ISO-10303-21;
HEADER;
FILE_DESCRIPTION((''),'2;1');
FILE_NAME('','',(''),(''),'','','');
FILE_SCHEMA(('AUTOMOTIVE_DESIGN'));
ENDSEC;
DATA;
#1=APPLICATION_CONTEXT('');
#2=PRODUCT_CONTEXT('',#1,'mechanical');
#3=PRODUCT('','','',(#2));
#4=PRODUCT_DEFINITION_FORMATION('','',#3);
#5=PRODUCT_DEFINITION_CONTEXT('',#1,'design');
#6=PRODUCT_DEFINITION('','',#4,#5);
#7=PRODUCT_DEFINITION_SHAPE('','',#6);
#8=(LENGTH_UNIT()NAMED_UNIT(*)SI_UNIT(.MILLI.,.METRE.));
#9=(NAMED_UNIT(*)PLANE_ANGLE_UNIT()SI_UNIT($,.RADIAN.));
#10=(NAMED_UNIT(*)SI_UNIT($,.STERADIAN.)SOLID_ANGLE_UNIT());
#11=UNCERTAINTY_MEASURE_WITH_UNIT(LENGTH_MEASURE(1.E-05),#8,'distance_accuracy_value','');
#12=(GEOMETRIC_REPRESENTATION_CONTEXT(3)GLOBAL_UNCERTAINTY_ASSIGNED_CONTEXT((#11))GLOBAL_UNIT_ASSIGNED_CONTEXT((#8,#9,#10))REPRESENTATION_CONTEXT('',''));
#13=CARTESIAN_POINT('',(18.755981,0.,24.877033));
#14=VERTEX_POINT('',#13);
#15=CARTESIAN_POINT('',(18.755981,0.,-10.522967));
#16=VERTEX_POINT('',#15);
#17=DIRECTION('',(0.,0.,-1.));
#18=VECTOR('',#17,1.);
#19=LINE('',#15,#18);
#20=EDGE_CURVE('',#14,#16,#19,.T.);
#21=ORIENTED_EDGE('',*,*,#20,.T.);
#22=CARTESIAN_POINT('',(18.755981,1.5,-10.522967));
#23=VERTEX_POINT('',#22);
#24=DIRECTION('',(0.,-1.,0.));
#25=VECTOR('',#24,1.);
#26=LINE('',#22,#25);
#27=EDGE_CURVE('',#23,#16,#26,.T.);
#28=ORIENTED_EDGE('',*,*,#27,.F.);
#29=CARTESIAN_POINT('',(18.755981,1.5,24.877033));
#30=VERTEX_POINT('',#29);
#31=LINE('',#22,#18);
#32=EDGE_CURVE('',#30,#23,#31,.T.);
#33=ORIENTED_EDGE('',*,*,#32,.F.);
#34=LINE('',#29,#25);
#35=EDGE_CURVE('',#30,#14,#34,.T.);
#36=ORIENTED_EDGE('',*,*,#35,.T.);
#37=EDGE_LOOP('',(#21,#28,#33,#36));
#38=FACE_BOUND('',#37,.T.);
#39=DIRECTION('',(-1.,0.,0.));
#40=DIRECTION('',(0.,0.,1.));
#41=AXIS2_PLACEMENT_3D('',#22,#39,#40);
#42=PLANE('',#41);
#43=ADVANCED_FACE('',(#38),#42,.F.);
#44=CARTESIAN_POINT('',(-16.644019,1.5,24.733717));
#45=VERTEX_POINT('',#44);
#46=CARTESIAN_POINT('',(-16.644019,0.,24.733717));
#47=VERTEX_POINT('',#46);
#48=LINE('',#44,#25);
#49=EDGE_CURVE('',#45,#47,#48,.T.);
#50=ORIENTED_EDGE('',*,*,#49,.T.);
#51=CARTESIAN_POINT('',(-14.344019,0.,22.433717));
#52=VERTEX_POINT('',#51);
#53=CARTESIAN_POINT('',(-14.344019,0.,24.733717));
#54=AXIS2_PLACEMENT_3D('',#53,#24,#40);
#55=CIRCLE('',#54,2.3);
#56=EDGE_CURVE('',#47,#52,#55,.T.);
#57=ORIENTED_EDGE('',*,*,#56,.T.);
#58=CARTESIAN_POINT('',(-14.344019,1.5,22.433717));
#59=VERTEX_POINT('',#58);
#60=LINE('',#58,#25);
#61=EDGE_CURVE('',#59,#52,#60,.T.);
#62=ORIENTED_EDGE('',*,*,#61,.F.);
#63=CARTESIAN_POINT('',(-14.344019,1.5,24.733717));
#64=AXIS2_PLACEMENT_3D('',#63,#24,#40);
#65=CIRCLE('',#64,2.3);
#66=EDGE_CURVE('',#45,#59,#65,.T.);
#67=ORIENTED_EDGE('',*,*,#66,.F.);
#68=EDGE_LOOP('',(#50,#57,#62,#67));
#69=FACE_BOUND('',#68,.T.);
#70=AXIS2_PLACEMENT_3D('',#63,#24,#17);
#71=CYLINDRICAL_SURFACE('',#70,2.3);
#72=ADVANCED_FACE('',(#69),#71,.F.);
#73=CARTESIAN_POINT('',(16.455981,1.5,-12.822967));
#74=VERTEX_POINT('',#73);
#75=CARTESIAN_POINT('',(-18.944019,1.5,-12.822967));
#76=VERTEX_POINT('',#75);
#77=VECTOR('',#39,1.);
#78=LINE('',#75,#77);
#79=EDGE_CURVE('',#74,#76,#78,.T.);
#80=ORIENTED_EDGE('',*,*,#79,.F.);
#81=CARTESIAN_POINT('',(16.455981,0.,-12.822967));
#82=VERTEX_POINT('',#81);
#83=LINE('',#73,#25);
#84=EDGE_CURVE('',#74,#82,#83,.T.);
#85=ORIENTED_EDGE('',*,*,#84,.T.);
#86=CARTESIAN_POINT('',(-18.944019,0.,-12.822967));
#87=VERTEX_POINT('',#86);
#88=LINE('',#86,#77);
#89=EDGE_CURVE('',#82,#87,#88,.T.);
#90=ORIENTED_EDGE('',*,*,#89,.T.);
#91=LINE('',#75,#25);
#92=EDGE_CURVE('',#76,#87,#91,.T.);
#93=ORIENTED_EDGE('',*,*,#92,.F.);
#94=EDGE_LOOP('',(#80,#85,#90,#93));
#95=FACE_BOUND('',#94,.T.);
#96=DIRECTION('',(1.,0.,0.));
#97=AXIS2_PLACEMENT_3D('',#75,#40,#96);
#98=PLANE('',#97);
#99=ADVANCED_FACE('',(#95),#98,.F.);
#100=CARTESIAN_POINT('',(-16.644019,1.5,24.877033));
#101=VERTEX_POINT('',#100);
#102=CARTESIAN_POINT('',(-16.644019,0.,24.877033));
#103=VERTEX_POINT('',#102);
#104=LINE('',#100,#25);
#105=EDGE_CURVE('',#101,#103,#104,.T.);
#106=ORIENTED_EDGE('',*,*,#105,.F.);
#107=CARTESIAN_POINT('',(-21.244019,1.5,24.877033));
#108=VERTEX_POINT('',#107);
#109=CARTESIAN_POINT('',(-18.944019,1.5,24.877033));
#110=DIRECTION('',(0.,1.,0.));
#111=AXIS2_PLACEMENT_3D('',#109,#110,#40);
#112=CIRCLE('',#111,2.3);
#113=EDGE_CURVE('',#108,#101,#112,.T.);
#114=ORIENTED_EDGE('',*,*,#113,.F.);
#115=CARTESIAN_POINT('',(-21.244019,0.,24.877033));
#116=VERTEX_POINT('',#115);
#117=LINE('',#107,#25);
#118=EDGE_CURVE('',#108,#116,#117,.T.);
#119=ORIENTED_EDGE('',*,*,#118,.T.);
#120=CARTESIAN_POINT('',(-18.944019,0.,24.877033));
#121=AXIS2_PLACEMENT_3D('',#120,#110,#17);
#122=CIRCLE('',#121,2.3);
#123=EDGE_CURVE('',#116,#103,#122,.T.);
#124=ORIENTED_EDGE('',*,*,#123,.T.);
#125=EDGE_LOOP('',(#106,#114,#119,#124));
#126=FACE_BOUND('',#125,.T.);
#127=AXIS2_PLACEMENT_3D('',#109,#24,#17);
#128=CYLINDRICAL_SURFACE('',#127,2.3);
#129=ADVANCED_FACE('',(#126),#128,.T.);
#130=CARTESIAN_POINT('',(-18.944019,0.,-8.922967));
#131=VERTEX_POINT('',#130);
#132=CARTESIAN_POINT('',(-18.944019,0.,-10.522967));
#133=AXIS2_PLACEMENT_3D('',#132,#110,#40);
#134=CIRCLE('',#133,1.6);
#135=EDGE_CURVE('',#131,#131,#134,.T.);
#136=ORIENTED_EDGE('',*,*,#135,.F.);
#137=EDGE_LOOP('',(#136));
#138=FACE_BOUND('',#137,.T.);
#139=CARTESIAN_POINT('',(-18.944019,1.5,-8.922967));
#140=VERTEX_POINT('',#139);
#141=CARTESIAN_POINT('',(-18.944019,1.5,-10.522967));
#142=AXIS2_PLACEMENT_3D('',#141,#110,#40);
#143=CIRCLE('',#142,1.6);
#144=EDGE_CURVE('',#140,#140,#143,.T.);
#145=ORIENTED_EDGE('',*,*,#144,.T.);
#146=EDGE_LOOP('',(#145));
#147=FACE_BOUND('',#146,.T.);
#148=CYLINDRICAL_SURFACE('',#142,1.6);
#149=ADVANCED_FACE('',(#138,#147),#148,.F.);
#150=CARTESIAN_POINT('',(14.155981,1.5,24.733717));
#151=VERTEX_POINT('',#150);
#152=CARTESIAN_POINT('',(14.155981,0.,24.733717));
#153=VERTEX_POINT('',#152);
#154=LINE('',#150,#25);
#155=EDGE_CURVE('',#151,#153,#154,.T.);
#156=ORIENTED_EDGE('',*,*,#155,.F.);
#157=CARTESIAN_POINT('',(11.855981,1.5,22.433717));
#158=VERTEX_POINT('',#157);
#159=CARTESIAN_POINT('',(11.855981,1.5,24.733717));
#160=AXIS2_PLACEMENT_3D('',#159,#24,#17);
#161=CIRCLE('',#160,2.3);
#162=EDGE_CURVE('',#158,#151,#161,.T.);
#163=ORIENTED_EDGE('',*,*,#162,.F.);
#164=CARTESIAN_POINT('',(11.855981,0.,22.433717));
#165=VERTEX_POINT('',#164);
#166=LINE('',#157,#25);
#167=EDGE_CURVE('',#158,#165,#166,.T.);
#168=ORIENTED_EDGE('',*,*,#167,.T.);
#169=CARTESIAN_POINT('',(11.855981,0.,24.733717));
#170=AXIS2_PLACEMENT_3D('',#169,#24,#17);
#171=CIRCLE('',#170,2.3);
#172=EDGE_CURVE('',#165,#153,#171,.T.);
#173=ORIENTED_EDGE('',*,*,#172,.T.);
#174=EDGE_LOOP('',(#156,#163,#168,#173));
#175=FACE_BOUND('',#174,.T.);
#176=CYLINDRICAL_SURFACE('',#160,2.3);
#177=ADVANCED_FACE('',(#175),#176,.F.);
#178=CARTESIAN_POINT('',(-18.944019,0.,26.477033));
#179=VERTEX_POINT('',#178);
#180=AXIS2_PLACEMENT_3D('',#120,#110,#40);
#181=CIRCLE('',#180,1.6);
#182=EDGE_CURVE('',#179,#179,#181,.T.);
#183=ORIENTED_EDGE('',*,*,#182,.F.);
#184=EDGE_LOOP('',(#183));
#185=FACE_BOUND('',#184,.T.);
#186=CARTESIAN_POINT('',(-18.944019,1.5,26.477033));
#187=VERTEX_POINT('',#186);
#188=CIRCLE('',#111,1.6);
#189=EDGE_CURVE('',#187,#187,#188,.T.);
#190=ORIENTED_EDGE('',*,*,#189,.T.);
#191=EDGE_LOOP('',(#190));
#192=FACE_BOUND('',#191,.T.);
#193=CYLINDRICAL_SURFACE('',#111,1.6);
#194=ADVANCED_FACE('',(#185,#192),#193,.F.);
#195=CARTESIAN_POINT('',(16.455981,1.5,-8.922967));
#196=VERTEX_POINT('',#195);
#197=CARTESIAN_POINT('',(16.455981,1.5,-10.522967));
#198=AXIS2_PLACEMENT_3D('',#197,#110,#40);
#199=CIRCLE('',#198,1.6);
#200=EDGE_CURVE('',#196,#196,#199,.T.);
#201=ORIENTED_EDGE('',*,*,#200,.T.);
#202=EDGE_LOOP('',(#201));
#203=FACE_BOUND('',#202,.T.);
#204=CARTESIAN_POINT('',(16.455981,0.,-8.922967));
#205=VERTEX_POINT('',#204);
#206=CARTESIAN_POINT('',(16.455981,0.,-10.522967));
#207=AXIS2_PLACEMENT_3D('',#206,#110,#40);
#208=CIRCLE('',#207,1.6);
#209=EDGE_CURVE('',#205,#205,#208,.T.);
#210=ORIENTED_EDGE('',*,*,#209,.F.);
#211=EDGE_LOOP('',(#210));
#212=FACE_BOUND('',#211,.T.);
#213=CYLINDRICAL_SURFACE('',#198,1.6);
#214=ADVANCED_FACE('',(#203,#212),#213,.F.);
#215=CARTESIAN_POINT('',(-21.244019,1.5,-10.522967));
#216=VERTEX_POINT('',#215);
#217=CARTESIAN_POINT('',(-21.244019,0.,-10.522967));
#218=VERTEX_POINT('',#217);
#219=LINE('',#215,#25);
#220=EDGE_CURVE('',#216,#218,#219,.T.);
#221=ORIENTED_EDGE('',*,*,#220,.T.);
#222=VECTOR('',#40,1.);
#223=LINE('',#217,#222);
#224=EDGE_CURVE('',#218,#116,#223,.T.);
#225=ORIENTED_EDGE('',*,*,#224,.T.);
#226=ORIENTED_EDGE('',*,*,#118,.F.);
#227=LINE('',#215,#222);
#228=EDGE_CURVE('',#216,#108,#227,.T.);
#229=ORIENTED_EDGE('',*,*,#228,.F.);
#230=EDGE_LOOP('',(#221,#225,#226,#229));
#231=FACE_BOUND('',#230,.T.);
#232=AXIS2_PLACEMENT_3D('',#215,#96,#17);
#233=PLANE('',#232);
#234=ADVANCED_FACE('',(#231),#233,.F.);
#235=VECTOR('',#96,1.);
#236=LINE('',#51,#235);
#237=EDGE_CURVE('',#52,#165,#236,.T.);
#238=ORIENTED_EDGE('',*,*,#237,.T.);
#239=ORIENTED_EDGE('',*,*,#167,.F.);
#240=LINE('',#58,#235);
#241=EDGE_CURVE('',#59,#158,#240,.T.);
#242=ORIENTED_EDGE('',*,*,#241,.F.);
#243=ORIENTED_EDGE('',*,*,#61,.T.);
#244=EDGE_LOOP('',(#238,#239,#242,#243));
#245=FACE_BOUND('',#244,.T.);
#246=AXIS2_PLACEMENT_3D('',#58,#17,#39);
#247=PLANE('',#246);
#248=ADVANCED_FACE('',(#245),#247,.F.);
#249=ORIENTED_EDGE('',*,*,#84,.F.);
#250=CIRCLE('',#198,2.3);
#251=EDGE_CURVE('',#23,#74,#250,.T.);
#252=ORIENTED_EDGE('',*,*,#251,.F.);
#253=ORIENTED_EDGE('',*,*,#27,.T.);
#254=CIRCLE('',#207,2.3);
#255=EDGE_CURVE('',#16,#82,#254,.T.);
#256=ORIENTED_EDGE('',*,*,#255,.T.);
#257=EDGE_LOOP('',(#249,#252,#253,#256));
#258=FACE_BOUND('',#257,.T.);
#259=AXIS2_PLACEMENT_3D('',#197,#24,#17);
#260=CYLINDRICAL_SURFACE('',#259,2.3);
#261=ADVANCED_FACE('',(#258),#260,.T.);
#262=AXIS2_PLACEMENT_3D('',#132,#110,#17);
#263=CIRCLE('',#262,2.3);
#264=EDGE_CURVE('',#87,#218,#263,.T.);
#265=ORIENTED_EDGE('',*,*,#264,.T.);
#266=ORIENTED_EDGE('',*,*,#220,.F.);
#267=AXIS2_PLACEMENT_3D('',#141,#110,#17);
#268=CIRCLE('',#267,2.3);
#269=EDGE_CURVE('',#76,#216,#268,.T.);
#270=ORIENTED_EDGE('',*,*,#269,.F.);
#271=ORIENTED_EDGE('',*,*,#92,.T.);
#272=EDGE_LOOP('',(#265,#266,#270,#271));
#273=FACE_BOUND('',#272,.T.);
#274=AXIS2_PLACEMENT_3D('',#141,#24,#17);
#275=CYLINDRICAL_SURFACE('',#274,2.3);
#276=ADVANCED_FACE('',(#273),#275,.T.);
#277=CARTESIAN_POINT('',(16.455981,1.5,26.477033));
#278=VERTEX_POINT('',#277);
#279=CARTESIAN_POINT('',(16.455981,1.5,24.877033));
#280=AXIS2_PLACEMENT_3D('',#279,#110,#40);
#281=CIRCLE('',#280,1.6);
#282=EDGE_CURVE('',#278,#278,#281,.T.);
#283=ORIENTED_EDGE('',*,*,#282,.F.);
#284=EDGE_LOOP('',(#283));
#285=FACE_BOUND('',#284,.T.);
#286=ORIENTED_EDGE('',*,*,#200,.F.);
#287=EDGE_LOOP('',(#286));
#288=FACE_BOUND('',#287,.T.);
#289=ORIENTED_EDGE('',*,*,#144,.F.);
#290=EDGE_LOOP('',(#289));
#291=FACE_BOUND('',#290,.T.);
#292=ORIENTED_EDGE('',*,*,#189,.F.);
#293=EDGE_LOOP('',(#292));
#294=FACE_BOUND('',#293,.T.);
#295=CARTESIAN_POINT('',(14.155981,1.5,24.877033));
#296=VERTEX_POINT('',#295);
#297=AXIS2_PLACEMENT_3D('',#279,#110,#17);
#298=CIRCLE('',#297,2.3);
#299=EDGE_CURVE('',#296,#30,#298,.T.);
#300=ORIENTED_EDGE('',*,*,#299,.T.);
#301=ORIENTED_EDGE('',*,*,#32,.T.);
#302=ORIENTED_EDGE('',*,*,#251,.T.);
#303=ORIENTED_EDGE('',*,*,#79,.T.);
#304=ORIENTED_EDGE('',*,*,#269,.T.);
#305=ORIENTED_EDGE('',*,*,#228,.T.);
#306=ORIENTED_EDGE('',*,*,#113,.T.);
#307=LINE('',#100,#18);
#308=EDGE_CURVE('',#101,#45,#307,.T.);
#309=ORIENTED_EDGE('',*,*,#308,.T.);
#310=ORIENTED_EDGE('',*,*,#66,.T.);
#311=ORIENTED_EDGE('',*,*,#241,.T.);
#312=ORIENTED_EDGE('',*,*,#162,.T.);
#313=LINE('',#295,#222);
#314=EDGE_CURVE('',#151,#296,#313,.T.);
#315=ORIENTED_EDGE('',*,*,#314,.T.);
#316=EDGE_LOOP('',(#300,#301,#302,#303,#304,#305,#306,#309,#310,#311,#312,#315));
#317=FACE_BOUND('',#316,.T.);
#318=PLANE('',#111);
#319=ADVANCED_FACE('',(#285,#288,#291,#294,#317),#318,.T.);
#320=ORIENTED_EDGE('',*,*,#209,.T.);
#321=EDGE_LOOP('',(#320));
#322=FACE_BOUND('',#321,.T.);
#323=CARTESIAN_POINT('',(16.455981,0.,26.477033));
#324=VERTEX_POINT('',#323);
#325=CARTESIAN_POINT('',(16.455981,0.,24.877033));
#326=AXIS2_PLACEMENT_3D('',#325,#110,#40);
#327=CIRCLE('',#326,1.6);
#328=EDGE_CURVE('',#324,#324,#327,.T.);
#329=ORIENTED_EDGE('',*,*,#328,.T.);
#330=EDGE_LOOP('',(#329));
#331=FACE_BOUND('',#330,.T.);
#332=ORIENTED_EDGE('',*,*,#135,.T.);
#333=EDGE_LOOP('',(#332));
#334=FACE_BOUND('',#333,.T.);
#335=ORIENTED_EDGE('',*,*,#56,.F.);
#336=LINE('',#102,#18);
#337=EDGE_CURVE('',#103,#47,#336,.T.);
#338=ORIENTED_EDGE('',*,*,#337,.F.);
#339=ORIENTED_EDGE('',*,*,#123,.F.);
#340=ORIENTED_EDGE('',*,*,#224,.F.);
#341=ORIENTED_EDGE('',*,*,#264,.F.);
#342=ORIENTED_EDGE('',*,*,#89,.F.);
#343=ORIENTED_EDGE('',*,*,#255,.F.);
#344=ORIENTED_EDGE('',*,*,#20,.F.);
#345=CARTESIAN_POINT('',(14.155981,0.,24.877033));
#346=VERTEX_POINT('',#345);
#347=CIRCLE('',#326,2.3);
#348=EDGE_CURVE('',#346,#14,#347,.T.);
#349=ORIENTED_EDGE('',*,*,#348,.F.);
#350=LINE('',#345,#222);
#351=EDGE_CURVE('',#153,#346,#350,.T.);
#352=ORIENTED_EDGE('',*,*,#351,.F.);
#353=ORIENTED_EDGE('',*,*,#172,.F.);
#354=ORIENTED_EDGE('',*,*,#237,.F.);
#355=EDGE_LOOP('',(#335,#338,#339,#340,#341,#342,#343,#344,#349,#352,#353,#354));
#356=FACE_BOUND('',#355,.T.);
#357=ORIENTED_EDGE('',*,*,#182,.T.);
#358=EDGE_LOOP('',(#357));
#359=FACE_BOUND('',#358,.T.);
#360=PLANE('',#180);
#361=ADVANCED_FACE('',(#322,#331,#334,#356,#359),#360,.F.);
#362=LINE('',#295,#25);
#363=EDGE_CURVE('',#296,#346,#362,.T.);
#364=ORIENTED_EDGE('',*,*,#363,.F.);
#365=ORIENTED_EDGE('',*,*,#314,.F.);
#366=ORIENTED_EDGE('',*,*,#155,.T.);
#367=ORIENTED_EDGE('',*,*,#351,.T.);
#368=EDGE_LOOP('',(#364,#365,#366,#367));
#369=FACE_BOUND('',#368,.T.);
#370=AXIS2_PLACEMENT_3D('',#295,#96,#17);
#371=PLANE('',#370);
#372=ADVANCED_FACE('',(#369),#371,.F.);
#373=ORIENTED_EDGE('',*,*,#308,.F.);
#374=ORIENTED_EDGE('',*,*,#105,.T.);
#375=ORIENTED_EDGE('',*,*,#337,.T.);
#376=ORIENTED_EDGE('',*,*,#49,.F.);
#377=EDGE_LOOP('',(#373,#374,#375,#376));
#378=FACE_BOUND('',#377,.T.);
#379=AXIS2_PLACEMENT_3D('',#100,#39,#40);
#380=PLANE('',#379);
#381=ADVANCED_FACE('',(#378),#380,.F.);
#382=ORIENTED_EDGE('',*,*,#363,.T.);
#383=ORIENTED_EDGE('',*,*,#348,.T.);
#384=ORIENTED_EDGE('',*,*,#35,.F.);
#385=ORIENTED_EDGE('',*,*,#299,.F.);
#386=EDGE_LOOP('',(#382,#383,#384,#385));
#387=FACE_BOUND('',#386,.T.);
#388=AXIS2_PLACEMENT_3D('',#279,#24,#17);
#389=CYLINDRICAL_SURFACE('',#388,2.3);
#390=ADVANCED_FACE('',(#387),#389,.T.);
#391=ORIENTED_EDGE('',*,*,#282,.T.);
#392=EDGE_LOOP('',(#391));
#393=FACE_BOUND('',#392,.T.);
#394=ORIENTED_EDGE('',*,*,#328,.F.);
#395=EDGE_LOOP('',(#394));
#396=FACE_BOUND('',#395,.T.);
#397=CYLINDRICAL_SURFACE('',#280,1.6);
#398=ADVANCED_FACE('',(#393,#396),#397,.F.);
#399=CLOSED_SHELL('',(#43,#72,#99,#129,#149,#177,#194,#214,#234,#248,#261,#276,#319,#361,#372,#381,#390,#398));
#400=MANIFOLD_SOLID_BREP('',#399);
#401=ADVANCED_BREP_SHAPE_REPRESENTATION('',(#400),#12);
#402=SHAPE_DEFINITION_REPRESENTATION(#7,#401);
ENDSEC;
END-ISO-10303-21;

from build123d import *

# Parameters (mm, degrees)
BOSS_EXTRUDE1_DEPTH        = 1.5
F_3_2_3_2_DIAMETER_HOLE1_D = 3.2


with BuildPart() as part:
    # Sketch1 → Boss-Extrude1 (new body)
    with BuildSketch(Plane(origin=(0, 0, 0), x_dir=(1, 0, 0), z_dir=(0, 1, 0))):
        with BuildLine():
            Line((-18.944019139, 12.822966507), (16.455980861, 12.822966507))
            ThreePointArc((16.455980861, 12.822966507), (18.082326458, 12.149312104), (18.755980861, 10.522966507))
            Line((18.755980861, 10.522966507), (18.755980861, -24.877033493))
            ThreePointArc((18.755980861, -24.877033493), (18.082326458, -26.50337909), (16.455980861, -27.177033493))
            ThreePointArc((16.455980861, -27.177033493), (14.829635265, -26.50337909), (14.155980861, -24.877033493))
            Line((14.155980861, -24.877033493), (14.155980861, -24.733717149))
            ThreePointArc((14.155980861, -24.733717149), (13.482326458, -23.107371553), (11.855980861, -22.433717149))
            Line((11.855980861, -22.433717149), (-14.344019139, -22.433717149))
            ThreePointArc((-14.344019139, -22.433717149), (-15.970364735, -23.107371553), (-16.644019139, -24.733717149))
            Line((-16.644019139, -24.733717149), (-16.644019139, -24.877033493))
            ThreePointArc((-16.644019139, -24.877033493), (-17.317673542, -26.50337909), (-18.944019139, -27.177033493))
            ThreePointArc((-18.944019139, -27.177033493), (-20.570364735, -26.50337909), (-21.244019139, -24.877033493))
            Line((-21.244019139, -24.877033493), (-21.244019139, 10.522966507))
            ThreePointArc((-21.244019139, 10.522966507), (-20.570364735, 12.149312104), (-18.944019139, 12.822966507))
        make_face()
    extrude(amount=BOSS_EXTRUDE1_DEPTH)

    # Ø3.2 (3.2) Diameter Hole1 (through all)
    with Locations(Plane(origin=(0, 1.5, 0), x_dir=(1, 0, 0), z_dir=(0, 1, 0))):
        with Locations((-18.944019139, 10.522966507), (16.455980861, 10.522966507), (16.455980861, -24.877033493), (-18.944019139, -24.877033493)):
            Hole(F_3_2_3_2_DIAMETER_HOLE1_D / 2)


solid = part.part
